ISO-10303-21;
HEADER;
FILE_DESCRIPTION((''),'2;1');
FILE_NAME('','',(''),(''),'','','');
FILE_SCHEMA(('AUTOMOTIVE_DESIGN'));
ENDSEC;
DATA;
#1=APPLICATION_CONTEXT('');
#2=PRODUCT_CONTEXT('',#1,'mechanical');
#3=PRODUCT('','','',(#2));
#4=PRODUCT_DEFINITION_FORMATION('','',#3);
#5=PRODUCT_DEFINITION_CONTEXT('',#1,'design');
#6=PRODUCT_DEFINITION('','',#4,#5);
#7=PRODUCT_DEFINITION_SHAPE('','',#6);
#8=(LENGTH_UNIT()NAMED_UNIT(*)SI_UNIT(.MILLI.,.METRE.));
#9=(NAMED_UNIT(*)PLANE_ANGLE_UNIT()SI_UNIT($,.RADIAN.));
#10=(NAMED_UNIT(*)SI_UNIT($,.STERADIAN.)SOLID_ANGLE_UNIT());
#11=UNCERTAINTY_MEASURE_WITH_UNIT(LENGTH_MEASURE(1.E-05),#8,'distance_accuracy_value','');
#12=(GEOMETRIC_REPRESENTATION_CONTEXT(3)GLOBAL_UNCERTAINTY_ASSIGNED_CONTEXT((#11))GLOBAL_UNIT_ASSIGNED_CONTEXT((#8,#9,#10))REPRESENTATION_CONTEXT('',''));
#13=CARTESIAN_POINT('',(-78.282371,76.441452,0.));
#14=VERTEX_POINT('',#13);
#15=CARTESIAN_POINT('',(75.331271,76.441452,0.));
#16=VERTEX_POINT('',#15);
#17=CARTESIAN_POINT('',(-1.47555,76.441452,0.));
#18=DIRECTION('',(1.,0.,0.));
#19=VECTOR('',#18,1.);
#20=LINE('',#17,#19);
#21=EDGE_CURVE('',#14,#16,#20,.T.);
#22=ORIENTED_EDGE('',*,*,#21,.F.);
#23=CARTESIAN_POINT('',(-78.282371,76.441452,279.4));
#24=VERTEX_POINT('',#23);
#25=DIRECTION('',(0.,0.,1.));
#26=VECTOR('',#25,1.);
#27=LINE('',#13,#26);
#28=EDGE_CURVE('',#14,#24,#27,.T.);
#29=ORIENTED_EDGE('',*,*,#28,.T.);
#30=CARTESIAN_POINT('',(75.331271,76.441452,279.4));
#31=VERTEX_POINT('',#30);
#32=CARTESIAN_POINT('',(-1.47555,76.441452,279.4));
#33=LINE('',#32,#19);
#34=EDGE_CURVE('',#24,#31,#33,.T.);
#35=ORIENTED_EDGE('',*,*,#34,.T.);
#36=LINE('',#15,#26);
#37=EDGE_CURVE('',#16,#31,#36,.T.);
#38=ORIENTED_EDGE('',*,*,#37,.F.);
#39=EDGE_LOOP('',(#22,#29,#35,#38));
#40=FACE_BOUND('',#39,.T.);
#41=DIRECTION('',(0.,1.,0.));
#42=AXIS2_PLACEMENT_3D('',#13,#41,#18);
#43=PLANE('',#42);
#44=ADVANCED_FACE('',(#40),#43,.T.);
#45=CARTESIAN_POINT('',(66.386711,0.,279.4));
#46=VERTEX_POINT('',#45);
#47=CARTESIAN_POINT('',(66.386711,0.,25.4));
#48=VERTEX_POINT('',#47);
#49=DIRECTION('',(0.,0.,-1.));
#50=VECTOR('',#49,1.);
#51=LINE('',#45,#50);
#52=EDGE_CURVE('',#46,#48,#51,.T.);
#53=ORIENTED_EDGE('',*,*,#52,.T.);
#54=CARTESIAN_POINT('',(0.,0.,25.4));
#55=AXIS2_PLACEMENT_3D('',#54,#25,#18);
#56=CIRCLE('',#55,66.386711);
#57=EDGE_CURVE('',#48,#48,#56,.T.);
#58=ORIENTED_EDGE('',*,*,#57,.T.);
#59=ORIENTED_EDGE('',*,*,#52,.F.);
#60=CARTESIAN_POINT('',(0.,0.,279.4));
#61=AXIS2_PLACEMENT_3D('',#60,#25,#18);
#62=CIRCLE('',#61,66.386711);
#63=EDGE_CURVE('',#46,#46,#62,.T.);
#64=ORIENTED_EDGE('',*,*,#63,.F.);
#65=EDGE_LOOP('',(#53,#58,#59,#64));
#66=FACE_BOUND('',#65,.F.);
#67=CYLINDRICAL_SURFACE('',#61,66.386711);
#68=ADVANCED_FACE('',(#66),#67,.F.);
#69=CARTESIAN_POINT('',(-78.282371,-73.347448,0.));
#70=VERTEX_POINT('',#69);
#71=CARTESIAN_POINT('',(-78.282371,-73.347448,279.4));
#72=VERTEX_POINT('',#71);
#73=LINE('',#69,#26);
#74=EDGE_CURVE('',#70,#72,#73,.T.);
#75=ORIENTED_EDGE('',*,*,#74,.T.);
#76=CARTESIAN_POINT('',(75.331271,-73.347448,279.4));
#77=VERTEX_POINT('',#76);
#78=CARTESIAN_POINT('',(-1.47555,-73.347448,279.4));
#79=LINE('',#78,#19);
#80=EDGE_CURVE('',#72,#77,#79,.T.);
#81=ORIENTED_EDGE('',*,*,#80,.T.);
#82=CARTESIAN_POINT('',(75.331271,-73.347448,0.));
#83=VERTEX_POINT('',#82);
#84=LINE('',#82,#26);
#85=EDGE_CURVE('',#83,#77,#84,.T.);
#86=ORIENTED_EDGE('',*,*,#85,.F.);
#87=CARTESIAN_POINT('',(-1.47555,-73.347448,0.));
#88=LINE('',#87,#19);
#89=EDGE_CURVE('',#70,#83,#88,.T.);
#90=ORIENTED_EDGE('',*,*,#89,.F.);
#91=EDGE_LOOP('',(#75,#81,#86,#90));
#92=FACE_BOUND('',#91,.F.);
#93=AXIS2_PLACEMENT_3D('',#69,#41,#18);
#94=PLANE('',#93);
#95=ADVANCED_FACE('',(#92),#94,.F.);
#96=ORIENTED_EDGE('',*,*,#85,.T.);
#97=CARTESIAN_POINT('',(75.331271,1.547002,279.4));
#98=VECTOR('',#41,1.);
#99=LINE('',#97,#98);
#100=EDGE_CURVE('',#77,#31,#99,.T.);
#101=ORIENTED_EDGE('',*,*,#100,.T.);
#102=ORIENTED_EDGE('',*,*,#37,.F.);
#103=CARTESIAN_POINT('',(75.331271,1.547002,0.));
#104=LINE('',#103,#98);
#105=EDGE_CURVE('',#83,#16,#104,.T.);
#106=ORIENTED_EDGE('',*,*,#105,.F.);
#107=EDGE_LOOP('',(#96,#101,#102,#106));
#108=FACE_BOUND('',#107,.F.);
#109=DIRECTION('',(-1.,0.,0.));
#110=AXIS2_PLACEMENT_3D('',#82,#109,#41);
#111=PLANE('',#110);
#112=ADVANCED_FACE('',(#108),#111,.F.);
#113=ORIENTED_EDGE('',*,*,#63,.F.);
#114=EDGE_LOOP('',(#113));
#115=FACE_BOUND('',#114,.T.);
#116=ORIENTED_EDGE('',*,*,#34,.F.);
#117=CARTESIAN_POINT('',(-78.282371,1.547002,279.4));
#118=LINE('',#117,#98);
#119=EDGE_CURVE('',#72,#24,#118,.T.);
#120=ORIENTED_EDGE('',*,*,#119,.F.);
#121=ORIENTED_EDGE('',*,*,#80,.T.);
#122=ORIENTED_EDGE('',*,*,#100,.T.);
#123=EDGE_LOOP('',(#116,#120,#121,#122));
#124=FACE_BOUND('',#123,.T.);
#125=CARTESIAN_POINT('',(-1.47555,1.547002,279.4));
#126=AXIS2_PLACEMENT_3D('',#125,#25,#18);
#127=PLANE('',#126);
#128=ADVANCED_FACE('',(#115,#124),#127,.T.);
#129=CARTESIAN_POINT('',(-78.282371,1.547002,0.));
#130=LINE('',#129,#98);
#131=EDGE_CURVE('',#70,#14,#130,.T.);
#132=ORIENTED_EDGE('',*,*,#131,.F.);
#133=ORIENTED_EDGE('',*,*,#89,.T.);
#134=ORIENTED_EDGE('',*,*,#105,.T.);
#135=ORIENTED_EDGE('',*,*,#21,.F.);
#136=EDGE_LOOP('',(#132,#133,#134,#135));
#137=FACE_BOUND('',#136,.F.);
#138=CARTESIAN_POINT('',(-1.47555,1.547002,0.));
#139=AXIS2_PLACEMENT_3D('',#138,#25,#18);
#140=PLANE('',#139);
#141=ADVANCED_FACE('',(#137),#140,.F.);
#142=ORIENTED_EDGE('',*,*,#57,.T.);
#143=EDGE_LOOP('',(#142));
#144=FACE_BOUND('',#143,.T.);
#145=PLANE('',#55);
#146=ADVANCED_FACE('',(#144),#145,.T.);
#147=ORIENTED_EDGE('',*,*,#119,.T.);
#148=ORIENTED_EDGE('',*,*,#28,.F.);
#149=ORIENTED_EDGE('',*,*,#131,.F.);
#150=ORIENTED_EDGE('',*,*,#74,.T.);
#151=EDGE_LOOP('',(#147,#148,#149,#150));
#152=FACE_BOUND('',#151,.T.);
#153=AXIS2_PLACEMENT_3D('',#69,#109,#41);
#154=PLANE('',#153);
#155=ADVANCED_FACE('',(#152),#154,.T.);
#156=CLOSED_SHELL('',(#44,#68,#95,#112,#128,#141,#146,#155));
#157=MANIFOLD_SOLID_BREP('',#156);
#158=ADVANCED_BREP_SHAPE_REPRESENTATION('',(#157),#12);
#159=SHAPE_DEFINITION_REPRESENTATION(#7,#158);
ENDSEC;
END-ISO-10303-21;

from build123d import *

# Parameters (mm, degrees)
F0_W     = 153.613642
F0_H     = 149.788901
F1_DEPTH = 279.4
F2_R     = 66.386711
F3_DEPTH = 254


with BuildPart() as f1:
    # F0 (on Top) → F1 (new body)
    with BuildSketch(Plane.XY):
        with Locations((-1.47555, 1.547002)):
            Rectangle(F0_W, F0_H)
    extrude(amount=F1_DEPTH)

    # F2 (on face) → F3 (cut)
    with BuildSketch(Plane.XY.offset(279.4)):
        Circle(F2_R)
    extrude(amount=-F3_DEPTH, mode=Mode.SUBTRACT)


solid = f1.part
